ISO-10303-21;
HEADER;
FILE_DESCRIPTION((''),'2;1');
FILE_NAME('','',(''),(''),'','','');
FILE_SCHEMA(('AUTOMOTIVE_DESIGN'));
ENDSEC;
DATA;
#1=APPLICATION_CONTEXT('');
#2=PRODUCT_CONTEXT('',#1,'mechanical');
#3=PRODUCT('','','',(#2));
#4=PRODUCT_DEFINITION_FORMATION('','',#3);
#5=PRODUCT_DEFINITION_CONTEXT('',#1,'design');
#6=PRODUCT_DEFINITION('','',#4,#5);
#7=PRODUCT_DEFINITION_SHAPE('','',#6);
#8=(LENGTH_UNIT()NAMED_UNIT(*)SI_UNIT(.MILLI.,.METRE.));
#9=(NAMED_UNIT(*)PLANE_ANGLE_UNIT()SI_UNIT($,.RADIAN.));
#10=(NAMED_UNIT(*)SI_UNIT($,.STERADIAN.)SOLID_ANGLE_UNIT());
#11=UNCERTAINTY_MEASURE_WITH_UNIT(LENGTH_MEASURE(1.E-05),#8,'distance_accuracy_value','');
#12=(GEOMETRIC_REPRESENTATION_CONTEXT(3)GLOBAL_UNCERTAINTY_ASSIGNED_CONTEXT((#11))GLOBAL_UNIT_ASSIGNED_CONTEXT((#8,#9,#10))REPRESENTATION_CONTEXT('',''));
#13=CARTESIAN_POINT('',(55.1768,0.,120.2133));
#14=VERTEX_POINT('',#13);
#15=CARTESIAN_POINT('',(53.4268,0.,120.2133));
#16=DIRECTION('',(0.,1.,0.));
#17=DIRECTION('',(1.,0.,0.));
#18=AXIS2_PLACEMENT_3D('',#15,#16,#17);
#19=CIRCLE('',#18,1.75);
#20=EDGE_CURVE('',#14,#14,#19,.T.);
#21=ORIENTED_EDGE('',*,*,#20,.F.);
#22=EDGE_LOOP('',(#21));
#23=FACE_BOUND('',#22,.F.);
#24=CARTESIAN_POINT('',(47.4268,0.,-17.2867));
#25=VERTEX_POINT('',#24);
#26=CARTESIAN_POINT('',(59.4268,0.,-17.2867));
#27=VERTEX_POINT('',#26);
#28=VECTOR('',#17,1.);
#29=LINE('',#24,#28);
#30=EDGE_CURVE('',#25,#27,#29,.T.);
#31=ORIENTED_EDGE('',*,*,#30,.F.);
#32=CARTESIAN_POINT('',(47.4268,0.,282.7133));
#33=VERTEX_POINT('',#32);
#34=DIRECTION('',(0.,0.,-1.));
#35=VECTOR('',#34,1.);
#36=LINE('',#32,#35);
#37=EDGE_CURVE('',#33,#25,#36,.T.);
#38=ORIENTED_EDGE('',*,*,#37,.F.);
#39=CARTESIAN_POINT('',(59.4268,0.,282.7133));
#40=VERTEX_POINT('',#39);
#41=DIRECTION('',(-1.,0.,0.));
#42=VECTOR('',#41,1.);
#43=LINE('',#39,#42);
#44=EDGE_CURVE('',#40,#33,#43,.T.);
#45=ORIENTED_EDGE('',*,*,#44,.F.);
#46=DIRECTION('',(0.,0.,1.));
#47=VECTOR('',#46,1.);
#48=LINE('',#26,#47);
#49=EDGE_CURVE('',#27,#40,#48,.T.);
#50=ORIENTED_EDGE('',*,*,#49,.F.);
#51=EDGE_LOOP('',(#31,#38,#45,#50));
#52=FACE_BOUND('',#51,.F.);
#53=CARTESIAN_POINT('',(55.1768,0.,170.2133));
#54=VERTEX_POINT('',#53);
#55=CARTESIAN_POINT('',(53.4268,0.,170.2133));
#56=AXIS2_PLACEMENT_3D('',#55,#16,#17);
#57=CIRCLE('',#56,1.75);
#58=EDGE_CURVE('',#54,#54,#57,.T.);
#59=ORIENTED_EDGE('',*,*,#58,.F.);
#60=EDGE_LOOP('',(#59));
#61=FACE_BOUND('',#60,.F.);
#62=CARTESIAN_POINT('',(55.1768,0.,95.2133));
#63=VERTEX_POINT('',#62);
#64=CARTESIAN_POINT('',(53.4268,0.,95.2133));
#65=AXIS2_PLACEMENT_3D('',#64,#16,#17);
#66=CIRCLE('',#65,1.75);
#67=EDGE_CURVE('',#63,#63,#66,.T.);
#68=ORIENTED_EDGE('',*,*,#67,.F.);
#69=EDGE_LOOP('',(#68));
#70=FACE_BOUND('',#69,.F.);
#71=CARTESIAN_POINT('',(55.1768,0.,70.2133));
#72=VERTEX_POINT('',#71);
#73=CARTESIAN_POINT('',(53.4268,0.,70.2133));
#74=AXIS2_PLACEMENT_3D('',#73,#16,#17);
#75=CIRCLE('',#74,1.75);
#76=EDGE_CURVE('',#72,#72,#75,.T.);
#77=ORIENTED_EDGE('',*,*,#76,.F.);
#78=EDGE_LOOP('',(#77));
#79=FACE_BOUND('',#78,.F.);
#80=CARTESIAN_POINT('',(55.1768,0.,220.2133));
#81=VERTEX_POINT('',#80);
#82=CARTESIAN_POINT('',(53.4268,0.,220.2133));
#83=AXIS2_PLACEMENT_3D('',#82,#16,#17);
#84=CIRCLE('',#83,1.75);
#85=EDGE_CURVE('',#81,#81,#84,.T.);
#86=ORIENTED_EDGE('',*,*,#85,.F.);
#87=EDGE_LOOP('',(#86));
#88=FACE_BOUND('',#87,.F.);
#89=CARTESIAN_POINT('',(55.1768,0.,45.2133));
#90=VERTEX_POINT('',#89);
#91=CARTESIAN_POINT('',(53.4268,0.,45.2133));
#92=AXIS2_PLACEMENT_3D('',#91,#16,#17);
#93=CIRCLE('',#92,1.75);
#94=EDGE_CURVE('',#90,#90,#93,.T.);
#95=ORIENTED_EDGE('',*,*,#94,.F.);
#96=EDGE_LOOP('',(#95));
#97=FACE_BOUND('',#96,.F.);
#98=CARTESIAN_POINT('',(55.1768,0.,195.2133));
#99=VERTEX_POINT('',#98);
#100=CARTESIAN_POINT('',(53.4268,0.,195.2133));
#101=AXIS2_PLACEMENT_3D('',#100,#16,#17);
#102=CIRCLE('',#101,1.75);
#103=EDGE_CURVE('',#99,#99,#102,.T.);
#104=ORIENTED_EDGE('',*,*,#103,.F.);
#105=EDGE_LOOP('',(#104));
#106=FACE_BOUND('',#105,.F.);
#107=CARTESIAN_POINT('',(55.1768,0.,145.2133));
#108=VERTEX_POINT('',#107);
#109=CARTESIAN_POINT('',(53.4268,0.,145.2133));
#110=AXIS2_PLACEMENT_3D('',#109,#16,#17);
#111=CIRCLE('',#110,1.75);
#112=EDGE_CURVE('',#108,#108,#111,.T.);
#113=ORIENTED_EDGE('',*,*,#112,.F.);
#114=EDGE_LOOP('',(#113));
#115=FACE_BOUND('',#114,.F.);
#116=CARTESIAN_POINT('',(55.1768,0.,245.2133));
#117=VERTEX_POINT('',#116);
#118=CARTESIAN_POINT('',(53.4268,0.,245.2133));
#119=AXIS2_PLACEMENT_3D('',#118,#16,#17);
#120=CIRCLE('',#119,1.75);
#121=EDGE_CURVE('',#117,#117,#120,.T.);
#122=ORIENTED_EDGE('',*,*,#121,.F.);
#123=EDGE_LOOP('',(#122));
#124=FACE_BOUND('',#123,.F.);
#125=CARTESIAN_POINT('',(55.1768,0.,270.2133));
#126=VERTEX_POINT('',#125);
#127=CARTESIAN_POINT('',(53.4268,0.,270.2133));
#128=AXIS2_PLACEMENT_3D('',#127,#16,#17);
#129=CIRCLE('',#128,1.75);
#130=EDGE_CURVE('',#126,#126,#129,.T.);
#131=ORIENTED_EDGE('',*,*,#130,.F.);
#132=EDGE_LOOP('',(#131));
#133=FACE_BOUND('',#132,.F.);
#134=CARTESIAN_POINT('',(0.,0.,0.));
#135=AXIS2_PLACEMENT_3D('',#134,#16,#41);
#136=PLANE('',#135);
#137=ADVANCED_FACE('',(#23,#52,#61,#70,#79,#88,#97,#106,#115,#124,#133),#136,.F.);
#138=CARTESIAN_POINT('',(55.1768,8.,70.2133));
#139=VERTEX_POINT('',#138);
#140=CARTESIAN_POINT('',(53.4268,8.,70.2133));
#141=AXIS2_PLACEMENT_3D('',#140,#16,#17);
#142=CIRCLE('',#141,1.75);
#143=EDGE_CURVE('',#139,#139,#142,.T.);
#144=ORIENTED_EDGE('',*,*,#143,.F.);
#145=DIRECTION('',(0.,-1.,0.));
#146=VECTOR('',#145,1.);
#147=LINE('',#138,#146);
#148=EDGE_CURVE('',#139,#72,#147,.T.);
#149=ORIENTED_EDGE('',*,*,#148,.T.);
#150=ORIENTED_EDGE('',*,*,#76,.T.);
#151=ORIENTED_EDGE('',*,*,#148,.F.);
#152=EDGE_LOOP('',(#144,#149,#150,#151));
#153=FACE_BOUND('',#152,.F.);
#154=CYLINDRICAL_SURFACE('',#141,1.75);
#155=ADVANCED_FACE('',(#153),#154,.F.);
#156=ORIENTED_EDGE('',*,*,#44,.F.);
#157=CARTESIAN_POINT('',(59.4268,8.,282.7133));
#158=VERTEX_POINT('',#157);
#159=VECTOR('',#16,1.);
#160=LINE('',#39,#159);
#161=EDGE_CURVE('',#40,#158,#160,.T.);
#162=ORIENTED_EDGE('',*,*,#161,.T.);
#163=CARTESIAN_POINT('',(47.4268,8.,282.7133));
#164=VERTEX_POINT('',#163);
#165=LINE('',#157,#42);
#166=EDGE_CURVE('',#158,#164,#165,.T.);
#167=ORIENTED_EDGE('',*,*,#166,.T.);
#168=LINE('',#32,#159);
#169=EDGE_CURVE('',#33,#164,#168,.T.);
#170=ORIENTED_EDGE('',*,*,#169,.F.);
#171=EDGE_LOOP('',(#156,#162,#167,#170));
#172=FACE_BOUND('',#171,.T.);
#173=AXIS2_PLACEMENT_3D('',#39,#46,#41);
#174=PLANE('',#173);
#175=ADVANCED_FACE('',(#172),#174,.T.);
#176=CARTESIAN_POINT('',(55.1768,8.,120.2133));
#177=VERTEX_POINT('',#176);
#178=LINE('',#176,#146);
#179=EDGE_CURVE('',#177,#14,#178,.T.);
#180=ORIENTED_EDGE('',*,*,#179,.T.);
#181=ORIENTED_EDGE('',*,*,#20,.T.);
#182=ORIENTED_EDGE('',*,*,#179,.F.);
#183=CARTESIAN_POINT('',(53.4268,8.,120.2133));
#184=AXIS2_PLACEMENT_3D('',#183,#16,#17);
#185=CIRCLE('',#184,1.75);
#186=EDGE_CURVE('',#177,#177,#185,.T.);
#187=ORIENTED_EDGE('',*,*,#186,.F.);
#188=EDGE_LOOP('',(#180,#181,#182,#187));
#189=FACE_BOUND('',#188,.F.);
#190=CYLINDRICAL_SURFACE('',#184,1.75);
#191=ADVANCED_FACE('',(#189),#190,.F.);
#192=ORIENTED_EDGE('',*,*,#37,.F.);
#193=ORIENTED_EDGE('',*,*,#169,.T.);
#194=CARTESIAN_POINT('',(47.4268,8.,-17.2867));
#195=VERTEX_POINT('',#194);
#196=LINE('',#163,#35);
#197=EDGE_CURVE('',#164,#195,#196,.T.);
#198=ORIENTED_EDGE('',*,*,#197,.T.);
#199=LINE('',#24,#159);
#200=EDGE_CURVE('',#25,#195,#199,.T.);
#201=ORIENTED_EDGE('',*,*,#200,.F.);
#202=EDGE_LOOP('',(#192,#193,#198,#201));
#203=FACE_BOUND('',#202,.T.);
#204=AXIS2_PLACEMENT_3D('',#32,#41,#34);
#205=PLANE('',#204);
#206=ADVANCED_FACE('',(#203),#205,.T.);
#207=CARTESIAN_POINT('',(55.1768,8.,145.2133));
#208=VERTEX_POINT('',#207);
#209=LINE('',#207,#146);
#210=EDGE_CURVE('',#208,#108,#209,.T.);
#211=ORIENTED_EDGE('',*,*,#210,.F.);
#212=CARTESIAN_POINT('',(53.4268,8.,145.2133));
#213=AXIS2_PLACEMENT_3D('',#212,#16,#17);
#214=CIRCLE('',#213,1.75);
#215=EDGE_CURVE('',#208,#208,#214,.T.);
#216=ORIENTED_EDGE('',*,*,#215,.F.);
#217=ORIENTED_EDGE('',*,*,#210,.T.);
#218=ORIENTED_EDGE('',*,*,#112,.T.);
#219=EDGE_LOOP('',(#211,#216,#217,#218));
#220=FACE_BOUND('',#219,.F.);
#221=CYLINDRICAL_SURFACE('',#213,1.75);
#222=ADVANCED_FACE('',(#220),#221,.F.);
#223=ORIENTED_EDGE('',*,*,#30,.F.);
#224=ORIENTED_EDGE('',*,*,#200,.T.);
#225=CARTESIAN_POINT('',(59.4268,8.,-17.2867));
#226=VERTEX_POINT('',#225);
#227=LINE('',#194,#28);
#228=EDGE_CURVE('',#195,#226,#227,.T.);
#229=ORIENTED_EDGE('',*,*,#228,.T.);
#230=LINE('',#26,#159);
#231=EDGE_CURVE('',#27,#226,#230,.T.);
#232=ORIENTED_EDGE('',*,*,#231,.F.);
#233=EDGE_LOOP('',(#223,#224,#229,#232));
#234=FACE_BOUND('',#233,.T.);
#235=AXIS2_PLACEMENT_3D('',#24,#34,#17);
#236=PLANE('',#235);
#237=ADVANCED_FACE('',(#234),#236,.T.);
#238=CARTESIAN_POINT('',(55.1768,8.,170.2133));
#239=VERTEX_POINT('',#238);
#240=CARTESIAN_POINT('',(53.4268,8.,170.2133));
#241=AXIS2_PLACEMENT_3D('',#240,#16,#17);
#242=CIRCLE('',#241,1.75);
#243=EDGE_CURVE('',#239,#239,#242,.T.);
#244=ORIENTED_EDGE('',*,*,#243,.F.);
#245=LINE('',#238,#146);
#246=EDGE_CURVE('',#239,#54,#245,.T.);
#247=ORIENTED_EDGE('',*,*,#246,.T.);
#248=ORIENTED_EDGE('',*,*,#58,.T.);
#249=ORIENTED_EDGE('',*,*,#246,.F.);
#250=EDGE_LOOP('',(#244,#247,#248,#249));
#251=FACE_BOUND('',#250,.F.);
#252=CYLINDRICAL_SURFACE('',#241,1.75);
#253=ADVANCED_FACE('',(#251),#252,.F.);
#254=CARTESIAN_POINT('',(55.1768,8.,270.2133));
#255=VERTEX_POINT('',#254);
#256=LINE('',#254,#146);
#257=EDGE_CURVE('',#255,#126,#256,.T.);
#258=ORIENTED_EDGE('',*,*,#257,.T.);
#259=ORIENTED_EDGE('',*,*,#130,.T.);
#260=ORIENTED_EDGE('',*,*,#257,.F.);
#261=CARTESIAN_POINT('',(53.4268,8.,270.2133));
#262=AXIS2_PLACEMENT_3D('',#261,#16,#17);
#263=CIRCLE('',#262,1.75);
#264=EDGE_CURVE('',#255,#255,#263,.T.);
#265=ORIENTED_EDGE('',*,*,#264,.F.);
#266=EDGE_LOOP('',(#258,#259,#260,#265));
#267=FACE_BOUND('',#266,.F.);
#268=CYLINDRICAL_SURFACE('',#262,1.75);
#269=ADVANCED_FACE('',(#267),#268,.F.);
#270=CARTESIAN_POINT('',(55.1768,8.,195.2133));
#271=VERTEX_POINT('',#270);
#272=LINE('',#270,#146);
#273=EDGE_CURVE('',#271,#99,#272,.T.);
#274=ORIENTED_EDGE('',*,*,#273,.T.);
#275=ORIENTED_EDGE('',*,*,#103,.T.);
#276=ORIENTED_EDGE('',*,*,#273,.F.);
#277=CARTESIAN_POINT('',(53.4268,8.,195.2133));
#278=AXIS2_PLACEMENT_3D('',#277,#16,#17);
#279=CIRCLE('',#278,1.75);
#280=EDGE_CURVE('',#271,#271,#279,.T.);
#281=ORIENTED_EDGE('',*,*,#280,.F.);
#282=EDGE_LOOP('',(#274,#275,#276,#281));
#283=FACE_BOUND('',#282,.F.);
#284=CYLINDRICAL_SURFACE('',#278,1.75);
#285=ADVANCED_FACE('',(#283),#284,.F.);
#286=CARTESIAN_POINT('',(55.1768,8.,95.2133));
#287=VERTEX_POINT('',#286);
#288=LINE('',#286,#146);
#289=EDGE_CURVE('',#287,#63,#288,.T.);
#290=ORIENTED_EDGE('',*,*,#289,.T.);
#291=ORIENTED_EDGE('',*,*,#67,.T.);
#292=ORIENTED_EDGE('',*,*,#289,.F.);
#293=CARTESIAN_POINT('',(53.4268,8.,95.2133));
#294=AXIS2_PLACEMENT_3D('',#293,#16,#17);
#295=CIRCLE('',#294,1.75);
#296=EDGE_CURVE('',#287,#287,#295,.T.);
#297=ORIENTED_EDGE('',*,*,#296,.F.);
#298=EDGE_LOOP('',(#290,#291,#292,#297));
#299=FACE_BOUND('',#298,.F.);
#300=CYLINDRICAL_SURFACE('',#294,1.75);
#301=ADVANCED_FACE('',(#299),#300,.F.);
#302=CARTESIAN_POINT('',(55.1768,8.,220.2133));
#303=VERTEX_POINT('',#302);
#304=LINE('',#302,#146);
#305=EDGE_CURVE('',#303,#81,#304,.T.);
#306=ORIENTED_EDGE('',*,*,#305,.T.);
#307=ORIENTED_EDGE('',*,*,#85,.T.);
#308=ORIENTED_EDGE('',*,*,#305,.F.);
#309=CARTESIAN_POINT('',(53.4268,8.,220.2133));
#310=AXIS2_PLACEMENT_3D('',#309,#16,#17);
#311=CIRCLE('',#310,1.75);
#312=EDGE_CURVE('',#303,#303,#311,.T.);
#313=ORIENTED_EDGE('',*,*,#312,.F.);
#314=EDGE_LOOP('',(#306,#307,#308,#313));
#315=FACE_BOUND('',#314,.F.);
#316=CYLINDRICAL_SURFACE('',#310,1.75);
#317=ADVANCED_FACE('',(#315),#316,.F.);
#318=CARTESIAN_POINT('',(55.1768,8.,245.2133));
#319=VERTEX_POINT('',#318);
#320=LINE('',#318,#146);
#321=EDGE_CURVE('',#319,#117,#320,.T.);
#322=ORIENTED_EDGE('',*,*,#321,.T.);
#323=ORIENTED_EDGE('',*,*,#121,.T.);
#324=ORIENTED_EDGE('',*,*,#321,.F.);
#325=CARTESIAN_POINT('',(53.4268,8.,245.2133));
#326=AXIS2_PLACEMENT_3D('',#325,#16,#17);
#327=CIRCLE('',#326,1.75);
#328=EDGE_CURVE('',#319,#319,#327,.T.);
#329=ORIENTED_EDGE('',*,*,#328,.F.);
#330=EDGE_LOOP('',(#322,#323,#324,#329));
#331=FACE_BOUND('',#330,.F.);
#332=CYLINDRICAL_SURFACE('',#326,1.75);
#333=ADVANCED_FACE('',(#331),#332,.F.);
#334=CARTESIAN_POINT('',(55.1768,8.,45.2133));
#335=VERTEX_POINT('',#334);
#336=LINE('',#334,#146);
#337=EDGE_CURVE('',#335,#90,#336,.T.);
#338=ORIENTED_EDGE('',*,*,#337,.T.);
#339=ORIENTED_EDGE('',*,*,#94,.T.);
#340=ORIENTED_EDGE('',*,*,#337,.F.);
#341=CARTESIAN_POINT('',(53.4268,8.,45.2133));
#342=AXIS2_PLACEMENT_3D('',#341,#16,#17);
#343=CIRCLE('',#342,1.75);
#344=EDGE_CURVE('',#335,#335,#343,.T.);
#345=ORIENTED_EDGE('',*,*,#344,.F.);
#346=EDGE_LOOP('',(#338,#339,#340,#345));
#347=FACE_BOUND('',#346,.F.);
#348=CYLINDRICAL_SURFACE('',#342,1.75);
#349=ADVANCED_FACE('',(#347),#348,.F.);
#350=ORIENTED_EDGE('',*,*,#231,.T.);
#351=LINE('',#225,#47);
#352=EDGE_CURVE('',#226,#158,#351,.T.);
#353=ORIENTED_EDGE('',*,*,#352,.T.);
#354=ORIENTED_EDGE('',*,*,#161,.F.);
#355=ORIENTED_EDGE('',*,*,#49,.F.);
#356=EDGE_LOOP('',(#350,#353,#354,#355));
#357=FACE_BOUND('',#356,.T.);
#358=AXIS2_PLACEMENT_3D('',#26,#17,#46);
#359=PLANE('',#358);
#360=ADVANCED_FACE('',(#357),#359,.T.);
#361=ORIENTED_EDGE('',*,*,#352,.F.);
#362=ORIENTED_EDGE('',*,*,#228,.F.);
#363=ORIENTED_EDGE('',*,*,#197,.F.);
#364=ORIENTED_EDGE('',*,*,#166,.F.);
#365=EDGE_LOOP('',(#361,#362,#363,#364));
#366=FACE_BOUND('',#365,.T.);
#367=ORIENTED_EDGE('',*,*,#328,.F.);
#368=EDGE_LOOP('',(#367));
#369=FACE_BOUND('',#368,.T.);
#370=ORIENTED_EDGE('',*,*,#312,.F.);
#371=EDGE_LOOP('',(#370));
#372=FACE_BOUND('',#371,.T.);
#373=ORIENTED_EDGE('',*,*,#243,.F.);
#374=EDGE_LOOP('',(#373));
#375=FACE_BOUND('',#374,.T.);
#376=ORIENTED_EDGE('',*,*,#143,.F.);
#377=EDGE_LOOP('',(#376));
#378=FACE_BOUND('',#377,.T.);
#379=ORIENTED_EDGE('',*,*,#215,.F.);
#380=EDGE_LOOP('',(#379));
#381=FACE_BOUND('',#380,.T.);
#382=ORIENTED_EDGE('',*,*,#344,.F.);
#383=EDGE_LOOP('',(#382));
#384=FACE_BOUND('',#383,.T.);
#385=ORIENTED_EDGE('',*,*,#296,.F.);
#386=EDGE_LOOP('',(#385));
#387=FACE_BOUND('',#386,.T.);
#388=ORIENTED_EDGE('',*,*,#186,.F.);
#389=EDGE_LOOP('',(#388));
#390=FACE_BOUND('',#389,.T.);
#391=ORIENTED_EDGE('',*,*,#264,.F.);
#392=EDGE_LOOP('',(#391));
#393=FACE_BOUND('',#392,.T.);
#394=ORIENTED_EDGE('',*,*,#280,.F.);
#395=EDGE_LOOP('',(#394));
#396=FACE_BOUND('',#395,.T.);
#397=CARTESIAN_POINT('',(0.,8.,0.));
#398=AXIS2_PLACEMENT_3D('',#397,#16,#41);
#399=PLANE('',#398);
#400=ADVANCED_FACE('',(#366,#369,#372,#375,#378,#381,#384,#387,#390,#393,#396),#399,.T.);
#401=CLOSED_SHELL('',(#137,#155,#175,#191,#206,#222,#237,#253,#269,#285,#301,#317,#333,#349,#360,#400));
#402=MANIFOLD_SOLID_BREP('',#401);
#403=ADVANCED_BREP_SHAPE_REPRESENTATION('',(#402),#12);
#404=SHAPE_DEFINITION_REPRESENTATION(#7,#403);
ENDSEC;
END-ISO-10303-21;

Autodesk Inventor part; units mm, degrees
ref_plane "YZ Plane" through (0, 0, 0) normal (1, 0, 0) x (0, 1, 0)
ref_plane "XZ Plane" through (0, 0, 0) normal (0, 1, 0) x (-1, 0, 0)
ref_plane "XY Plane" through (0, 0, 0) normal (0, 0, 1) x (1, 0, 0)
sketch "Sketch1" plane through (0, 0, 0) normal (0, 1, 0) x (-1, 0, 0)
  line L0 (-47.4268, -17.2867) -> (-59.4268, -17.2867)
  line L1 (-59.4268, -17.2867) -> (-59.4268, 282.7133)
  line L2 (-59.4268, 282.7133) -> (-47.4268, 282.7133)
  line L3 (-47.4268, 282.7133) -> (-47.4268, -17.2867)
  point P0 (0, 0)
  dimension "d0" = 300
  dimension "d1" = 12
extrude "Extrusion1" add sketch "Sketch1" along normal blind 8
sketch "Sketch2" plane through (0, 8, 0) normal (0, 1, 0) x (1, 0, 0)
  circle A0 centre (53.4268, -270.2133) radius 1.75
  line L0 (59.4268, -282.7133) -> (59.4268, 17.2867) projected
  line L1 (47.4268, -282.7133) -> (59.4268, -282.7133) projected
  circle A1 centre (53.4268, -245.2133) radius 1.75
  circle A2 centre (53.4268, -220.2133) radius 1.75
  circle A3 centre (53.4268, -195.2133) radius 1.75
  circle A4 centre (53.4268, -170.2133) radius 1.75
  circle A5 centre (53.4268, -145.2133) radius 1.75
  circle A6 centre (53.4268, -120.2133) radius 1.75
  circle A7 centre (53.4268, -95.2133) radius 1.75
  circle A8 centre (53.4268, -70.2133) radius 1.75
  circle A9 centre (53.4268, -45.2133) radius 1.75
  point P0 (0, 0)
  dimension "d4" = 3.5
  dimension "d5" = 6
  dimension "d6" = 12.5
  dimension "d9" = 25
extrude "Extrusion2" cut sketch "Sketch2" against normal through all
properties part number "MGN12H_rail" material "Stainless Steel"
